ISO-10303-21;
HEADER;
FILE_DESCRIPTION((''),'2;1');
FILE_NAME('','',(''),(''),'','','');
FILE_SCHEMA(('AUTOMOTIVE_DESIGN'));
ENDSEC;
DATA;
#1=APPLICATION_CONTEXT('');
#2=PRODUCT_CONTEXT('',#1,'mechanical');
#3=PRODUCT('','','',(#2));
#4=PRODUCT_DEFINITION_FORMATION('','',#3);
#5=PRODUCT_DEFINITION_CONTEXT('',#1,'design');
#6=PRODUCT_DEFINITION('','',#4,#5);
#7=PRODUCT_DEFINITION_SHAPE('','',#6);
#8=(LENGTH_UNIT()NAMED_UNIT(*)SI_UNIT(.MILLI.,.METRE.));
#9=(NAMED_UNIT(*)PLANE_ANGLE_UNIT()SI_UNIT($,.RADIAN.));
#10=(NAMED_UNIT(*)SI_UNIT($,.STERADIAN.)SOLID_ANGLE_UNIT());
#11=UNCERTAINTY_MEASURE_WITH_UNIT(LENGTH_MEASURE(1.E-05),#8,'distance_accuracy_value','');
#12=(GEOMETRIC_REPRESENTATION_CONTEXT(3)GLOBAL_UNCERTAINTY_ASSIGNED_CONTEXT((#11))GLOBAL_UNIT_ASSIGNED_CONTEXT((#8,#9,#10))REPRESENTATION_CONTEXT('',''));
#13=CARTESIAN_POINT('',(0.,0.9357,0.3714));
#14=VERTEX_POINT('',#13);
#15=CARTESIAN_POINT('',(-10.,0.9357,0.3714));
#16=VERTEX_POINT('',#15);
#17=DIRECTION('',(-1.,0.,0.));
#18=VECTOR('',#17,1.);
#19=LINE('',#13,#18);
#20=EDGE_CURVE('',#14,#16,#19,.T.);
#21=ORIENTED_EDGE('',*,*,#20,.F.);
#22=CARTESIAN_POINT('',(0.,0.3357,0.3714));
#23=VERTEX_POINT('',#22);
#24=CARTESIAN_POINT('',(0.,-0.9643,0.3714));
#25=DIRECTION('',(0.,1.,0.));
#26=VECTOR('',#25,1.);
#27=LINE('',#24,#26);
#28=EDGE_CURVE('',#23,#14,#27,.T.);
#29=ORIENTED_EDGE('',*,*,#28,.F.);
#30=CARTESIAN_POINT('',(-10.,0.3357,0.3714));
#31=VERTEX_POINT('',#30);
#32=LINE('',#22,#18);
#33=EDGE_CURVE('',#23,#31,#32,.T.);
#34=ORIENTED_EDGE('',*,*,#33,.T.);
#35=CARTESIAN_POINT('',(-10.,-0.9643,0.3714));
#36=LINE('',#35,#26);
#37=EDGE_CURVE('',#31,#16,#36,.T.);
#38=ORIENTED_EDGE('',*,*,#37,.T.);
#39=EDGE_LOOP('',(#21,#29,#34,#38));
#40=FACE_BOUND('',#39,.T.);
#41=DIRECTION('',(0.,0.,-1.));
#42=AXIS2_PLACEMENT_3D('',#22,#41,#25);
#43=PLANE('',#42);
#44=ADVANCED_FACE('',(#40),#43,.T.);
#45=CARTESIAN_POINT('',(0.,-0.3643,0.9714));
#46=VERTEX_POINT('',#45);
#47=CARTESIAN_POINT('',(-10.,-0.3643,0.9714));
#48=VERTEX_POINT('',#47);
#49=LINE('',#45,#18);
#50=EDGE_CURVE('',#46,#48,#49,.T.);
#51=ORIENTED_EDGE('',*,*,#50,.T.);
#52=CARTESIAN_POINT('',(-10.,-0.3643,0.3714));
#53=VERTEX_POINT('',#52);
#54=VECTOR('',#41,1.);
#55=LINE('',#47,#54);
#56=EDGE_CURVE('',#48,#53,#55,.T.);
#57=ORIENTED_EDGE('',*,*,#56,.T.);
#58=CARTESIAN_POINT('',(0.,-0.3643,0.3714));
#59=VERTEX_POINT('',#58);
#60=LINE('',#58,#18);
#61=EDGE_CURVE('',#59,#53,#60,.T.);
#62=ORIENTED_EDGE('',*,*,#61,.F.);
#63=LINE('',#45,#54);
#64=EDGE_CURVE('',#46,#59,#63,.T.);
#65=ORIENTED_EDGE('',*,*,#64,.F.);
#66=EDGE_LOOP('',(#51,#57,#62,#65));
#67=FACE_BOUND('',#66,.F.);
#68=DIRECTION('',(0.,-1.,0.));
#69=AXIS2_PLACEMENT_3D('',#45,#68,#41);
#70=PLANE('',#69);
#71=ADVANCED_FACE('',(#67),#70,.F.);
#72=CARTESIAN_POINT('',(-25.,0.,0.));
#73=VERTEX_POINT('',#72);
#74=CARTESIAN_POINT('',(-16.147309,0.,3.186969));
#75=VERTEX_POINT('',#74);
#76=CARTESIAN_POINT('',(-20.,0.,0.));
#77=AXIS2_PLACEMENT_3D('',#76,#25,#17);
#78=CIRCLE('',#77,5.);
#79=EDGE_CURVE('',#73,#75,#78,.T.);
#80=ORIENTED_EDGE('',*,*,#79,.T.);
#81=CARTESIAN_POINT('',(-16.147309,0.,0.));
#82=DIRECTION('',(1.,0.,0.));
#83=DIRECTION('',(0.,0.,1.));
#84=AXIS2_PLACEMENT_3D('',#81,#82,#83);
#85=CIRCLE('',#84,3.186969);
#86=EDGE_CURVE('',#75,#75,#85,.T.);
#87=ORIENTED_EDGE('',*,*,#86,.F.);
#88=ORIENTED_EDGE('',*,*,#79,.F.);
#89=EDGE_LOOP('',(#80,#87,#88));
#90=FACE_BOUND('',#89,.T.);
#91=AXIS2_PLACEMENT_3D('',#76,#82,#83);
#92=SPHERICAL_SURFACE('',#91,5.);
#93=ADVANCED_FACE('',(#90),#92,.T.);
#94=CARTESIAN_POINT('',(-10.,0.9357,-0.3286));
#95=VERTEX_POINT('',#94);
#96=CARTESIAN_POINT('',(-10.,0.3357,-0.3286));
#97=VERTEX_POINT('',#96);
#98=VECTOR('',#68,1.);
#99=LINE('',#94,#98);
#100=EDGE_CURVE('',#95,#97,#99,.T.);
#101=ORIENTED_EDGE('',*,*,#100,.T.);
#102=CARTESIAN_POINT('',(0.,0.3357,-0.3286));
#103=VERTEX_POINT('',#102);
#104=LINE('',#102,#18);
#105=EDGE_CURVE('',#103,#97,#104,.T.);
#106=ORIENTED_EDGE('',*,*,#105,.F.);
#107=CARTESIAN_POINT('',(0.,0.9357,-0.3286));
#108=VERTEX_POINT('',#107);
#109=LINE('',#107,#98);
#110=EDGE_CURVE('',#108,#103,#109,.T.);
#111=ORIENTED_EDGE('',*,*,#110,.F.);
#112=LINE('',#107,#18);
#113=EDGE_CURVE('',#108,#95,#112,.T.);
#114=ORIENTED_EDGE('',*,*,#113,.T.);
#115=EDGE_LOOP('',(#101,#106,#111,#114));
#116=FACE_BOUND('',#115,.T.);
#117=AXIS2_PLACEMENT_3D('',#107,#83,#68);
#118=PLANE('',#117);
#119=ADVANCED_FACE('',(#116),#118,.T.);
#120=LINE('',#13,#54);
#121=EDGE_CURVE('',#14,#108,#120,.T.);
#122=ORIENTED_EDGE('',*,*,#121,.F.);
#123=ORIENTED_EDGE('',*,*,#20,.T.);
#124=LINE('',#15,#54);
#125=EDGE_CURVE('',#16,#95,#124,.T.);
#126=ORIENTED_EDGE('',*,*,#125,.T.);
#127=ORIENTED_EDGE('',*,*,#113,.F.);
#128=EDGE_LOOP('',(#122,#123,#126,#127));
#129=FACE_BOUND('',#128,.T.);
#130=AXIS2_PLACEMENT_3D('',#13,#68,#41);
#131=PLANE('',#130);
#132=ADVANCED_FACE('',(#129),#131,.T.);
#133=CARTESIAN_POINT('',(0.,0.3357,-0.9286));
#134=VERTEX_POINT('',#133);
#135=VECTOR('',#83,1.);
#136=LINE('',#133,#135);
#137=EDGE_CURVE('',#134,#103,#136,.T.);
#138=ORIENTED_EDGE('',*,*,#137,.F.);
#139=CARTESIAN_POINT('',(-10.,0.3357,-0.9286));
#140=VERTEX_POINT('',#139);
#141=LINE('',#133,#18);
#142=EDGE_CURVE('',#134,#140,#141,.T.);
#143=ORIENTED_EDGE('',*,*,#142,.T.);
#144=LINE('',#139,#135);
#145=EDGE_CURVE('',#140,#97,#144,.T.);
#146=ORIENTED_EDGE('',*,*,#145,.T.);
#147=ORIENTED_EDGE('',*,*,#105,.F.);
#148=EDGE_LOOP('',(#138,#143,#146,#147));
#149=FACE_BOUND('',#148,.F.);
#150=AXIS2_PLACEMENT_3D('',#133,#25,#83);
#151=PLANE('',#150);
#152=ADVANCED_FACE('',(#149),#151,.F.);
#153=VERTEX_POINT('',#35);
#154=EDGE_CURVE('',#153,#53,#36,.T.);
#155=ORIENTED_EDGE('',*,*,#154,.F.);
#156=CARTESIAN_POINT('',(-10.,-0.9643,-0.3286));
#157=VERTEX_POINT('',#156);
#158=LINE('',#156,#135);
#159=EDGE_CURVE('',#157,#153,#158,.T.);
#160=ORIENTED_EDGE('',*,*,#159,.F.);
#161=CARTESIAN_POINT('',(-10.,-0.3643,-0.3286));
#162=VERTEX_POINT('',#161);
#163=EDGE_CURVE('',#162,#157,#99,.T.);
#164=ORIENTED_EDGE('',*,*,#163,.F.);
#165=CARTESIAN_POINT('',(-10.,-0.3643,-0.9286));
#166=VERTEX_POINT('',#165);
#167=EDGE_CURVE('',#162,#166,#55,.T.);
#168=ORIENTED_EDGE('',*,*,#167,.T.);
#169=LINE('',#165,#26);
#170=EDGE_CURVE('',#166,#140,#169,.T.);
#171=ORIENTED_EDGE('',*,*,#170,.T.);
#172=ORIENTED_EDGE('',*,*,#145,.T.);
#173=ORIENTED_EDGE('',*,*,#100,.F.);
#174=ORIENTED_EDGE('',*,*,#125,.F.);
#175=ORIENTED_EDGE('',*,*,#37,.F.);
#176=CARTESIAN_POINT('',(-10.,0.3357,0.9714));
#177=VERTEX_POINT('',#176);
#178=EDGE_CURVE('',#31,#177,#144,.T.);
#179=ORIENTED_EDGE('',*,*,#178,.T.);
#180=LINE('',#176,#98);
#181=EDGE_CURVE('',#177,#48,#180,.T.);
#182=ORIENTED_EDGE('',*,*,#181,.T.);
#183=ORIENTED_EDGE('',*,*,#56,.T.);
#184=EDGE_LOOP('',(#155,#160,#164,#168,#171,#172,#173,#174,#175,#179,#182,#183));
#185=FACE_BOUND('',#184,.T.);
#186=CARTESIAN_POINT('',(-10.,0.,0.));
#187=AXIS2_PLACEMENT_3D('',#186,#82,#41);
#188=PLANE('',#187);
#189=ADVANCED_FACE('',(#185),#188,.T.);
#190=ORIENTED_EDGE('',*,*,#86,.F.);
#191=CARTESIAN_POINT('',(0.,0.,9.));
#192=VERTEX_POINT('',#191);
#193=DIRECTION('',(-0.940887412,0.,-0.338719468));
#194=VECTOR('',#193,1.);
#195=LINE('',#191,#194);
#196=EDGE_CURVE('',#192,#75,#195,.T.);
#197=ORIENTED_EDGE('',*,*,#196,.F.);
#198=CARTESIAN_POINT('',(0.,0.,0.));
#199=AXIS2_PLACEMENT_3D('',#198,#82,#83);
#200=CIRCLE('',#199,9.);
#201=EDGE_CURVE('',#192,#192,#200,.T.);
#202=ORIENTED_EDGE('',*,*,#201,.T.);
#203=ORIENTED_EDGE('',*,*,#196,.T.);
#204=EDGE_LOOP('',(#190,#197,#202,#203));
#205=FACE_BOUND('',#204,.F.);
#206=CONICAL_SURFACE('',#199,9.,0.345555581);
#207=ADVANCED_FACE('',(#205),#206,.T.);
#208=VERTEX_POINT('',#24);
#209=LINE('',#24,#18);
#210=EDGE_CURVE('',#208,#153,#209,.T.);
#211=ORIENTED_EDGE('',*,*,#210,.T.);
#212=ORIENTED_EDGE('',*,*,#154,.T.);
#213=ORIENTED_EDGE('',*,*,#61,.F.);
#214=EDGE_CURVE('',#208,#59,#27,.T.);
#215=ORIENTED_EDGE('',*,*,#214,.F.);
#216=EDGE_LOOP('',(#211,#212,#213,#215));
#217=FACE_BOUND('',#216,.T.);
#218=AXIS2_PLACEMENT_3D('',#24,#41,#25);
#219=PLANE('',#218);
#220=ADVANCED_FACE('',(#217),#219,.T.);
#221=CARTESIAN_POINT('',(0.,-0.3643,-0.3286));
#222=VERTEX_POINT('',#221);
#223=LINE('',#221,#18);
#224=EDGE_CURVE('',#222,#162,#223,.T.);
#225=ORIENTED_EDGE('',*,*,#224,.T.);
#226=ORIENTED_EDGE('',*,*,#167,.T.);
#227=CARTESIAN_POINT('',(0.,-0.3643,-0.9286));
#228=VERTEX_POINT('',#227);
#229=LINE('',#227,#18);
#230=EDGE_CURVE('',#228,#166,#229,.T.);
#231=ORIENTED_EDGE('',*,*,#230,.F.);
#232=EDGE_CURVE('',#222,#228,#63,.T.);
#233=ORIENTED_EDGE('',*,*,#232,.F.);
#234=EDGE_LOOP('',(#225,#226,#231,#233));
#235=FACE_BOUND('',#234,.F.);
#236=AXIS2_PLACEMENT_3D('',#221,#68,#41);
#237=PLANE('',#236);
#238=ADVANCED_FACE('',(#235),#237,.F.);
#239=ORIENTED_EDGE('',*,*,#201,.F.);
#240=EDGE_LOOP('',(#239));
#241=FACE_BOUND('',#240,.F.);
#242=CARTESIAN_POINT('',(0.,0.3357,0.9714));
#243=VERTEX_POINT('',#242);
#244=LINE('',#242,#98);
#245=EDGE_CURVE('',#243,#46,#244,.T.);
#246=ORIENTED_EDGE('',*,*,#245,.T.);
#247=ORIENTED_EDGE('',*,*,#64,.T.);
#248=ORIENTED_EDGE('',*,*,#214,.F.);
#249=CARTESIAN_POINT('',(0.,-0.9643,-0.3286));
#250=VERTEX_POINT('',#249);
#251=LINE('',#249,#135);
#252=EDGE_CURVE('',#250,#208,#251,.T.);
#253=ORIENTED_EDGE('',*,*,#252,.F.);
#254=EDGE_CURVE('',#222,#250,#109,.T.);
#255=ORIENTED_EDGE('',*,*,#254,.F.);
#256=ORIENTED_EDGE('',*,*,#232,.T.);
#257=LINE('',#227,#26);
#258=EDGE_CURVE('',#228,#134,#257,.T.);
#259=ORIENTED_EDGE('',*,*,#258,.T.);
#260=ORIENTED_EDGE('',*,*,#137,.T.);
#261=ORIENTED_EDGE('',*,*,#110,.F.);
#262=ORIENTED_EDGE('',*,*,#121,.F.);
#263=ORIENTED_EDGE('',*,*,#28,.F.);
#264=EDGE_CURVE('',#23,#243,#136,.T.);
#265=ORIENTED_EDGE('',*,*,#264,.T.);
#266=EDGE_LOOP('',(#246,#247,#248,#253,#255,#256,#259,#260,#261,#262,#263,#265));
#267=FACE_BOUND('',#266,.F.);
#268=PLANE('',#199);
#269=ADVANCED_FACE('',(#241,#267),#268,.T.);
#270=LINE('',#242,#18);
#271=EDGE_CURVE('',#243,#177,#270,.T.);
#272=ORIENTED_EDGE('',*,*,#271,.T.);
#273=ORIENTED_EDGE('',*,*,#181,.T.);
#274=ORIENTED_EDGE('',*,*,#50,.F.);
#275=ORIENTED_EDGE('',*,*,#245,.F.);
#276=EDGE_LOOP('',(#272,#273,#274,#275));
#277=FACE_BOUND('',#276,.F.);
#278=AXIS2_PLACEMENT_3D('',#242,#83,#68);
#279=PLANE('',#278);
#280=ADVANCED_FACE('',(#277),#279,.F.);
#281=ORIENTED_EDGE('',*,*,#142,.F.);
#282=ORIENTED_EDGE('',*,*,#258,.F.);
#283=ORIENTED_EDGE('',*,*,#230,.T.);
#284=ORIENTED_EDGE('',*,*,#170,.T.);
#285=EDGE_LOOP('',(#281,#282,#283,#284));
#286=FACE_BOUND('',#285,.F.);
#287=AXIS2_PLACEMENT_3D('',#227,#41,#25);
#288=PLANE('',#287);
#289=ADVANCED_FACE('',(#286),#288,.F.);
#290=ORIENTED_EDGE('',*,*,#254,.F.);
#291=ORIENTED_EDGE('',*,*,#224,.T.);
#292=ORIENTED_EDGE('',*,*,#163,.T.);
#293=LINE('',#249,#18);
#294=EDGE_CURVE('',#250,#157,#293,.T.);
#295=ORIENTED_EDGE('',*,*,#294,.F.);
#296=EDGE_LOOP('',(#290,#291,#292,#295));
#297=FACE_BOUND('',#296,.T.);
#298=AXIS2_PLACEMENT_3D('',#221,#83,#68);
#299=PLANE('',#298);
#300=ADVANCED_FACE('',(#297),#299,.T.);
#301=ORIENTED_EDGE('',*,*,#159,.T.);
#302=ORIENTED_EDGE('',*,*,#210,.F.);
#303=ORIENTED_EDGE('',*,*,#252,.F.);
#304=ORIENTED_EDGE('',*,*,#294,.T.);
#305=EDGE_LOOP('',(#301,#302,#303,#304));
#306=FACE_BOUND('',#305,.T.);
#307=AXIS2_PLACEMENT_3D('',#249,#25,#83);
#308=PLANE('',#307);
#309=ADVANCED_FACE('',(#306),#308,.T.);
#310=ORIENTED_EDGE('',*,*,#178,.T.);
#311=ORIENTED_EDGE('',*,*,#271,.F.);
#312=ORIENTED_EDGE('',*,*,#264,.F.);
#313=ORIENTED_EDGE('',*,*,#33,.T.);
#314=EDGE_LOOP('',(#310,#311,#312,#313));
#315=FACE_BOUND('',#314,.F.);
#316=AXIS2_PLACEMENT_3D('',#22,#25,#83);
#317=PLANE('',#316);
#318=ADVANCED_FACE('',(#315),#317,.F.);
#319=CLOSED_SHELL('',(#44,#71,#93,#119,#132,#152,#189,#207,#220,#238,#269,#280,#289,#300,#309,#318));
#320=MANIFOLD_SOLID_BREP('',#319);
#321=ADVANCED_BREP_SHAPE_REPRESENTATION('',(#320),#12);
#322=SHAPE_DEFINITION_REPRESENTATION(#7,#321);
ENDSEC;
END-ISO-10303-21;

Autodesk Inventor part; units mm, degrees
ref_plane "YZ Plane" through (0, 0, 0) normal (1, 0, 0) x (0, 1, 0)
ref_plane "XZ Plane" through (0, 0, 0) normal (0, 1, 0) x (-1, 0, 0)
ref_plane "XY Plane" through (0, 0, 0) normal (0, 0, 1) x (1, 0, 0)
sketch "Esquisse1" plane through (0, 0, 0) normal (0, 1, 0) x (-1, 0, 0)
  line L0 (0, 0) -> (25, 0)
  line L1 (25, 0) -> (0, 0)
  line L2 (0, 0) -> (0, 9)
  line L3 (0, 9) -> (25, 0)
  arc A0 (25, 0) -> (15, 0) centre (20, 0) ccw
  dimension "d0" = 9
  dimension "d1" = 25
  dimension "d2" = 5
revolve "Révolution1" add sketch "Esquisse1" angle 360 about axis through (-25, 0, 0) along (1, 0, 0)
sketch "Esquisse2" plane through (0, 0, 0) normal (1, 0, 0) x (0, 0, -1)
  line L0 (-0.3714, 0.9357) -> (0.3286, 0.9357)
  line L1 (0.3286, 0.9357) -> (0.3286, -0.9643)
  line L2 (0.3286, -0.9643) -> (-0.3714, -0.9643)
  line L3 (-0.3714, -0.9643) -> (-0.3714, 0.9357)
  line L4 (0.9286, 0.3357) -> (-0.9714, 0.3357)
  line L5 (-0.9714, 0.3357) -> (-0.9714, -0.3643)
  line L6 (-0.9714, -0.3643) -> (0.9286, -0.3643)
  line L7 (0.9286, -0.3643) -> (0.9286, 0.3357)
  point P0 (0, 0)
  dimension "d4" = 0.7
  dimension "d5" = 0.7
  dimension "d6" = 1.9
  dimension "d7" = 1.9
  dimension "d8" = 0.6
  dimension "d9" = 0.6
extrude "Extrusion1" cut sketch "Esquisse2" against normal blind 10
properties part number "pion" material "Verre"
